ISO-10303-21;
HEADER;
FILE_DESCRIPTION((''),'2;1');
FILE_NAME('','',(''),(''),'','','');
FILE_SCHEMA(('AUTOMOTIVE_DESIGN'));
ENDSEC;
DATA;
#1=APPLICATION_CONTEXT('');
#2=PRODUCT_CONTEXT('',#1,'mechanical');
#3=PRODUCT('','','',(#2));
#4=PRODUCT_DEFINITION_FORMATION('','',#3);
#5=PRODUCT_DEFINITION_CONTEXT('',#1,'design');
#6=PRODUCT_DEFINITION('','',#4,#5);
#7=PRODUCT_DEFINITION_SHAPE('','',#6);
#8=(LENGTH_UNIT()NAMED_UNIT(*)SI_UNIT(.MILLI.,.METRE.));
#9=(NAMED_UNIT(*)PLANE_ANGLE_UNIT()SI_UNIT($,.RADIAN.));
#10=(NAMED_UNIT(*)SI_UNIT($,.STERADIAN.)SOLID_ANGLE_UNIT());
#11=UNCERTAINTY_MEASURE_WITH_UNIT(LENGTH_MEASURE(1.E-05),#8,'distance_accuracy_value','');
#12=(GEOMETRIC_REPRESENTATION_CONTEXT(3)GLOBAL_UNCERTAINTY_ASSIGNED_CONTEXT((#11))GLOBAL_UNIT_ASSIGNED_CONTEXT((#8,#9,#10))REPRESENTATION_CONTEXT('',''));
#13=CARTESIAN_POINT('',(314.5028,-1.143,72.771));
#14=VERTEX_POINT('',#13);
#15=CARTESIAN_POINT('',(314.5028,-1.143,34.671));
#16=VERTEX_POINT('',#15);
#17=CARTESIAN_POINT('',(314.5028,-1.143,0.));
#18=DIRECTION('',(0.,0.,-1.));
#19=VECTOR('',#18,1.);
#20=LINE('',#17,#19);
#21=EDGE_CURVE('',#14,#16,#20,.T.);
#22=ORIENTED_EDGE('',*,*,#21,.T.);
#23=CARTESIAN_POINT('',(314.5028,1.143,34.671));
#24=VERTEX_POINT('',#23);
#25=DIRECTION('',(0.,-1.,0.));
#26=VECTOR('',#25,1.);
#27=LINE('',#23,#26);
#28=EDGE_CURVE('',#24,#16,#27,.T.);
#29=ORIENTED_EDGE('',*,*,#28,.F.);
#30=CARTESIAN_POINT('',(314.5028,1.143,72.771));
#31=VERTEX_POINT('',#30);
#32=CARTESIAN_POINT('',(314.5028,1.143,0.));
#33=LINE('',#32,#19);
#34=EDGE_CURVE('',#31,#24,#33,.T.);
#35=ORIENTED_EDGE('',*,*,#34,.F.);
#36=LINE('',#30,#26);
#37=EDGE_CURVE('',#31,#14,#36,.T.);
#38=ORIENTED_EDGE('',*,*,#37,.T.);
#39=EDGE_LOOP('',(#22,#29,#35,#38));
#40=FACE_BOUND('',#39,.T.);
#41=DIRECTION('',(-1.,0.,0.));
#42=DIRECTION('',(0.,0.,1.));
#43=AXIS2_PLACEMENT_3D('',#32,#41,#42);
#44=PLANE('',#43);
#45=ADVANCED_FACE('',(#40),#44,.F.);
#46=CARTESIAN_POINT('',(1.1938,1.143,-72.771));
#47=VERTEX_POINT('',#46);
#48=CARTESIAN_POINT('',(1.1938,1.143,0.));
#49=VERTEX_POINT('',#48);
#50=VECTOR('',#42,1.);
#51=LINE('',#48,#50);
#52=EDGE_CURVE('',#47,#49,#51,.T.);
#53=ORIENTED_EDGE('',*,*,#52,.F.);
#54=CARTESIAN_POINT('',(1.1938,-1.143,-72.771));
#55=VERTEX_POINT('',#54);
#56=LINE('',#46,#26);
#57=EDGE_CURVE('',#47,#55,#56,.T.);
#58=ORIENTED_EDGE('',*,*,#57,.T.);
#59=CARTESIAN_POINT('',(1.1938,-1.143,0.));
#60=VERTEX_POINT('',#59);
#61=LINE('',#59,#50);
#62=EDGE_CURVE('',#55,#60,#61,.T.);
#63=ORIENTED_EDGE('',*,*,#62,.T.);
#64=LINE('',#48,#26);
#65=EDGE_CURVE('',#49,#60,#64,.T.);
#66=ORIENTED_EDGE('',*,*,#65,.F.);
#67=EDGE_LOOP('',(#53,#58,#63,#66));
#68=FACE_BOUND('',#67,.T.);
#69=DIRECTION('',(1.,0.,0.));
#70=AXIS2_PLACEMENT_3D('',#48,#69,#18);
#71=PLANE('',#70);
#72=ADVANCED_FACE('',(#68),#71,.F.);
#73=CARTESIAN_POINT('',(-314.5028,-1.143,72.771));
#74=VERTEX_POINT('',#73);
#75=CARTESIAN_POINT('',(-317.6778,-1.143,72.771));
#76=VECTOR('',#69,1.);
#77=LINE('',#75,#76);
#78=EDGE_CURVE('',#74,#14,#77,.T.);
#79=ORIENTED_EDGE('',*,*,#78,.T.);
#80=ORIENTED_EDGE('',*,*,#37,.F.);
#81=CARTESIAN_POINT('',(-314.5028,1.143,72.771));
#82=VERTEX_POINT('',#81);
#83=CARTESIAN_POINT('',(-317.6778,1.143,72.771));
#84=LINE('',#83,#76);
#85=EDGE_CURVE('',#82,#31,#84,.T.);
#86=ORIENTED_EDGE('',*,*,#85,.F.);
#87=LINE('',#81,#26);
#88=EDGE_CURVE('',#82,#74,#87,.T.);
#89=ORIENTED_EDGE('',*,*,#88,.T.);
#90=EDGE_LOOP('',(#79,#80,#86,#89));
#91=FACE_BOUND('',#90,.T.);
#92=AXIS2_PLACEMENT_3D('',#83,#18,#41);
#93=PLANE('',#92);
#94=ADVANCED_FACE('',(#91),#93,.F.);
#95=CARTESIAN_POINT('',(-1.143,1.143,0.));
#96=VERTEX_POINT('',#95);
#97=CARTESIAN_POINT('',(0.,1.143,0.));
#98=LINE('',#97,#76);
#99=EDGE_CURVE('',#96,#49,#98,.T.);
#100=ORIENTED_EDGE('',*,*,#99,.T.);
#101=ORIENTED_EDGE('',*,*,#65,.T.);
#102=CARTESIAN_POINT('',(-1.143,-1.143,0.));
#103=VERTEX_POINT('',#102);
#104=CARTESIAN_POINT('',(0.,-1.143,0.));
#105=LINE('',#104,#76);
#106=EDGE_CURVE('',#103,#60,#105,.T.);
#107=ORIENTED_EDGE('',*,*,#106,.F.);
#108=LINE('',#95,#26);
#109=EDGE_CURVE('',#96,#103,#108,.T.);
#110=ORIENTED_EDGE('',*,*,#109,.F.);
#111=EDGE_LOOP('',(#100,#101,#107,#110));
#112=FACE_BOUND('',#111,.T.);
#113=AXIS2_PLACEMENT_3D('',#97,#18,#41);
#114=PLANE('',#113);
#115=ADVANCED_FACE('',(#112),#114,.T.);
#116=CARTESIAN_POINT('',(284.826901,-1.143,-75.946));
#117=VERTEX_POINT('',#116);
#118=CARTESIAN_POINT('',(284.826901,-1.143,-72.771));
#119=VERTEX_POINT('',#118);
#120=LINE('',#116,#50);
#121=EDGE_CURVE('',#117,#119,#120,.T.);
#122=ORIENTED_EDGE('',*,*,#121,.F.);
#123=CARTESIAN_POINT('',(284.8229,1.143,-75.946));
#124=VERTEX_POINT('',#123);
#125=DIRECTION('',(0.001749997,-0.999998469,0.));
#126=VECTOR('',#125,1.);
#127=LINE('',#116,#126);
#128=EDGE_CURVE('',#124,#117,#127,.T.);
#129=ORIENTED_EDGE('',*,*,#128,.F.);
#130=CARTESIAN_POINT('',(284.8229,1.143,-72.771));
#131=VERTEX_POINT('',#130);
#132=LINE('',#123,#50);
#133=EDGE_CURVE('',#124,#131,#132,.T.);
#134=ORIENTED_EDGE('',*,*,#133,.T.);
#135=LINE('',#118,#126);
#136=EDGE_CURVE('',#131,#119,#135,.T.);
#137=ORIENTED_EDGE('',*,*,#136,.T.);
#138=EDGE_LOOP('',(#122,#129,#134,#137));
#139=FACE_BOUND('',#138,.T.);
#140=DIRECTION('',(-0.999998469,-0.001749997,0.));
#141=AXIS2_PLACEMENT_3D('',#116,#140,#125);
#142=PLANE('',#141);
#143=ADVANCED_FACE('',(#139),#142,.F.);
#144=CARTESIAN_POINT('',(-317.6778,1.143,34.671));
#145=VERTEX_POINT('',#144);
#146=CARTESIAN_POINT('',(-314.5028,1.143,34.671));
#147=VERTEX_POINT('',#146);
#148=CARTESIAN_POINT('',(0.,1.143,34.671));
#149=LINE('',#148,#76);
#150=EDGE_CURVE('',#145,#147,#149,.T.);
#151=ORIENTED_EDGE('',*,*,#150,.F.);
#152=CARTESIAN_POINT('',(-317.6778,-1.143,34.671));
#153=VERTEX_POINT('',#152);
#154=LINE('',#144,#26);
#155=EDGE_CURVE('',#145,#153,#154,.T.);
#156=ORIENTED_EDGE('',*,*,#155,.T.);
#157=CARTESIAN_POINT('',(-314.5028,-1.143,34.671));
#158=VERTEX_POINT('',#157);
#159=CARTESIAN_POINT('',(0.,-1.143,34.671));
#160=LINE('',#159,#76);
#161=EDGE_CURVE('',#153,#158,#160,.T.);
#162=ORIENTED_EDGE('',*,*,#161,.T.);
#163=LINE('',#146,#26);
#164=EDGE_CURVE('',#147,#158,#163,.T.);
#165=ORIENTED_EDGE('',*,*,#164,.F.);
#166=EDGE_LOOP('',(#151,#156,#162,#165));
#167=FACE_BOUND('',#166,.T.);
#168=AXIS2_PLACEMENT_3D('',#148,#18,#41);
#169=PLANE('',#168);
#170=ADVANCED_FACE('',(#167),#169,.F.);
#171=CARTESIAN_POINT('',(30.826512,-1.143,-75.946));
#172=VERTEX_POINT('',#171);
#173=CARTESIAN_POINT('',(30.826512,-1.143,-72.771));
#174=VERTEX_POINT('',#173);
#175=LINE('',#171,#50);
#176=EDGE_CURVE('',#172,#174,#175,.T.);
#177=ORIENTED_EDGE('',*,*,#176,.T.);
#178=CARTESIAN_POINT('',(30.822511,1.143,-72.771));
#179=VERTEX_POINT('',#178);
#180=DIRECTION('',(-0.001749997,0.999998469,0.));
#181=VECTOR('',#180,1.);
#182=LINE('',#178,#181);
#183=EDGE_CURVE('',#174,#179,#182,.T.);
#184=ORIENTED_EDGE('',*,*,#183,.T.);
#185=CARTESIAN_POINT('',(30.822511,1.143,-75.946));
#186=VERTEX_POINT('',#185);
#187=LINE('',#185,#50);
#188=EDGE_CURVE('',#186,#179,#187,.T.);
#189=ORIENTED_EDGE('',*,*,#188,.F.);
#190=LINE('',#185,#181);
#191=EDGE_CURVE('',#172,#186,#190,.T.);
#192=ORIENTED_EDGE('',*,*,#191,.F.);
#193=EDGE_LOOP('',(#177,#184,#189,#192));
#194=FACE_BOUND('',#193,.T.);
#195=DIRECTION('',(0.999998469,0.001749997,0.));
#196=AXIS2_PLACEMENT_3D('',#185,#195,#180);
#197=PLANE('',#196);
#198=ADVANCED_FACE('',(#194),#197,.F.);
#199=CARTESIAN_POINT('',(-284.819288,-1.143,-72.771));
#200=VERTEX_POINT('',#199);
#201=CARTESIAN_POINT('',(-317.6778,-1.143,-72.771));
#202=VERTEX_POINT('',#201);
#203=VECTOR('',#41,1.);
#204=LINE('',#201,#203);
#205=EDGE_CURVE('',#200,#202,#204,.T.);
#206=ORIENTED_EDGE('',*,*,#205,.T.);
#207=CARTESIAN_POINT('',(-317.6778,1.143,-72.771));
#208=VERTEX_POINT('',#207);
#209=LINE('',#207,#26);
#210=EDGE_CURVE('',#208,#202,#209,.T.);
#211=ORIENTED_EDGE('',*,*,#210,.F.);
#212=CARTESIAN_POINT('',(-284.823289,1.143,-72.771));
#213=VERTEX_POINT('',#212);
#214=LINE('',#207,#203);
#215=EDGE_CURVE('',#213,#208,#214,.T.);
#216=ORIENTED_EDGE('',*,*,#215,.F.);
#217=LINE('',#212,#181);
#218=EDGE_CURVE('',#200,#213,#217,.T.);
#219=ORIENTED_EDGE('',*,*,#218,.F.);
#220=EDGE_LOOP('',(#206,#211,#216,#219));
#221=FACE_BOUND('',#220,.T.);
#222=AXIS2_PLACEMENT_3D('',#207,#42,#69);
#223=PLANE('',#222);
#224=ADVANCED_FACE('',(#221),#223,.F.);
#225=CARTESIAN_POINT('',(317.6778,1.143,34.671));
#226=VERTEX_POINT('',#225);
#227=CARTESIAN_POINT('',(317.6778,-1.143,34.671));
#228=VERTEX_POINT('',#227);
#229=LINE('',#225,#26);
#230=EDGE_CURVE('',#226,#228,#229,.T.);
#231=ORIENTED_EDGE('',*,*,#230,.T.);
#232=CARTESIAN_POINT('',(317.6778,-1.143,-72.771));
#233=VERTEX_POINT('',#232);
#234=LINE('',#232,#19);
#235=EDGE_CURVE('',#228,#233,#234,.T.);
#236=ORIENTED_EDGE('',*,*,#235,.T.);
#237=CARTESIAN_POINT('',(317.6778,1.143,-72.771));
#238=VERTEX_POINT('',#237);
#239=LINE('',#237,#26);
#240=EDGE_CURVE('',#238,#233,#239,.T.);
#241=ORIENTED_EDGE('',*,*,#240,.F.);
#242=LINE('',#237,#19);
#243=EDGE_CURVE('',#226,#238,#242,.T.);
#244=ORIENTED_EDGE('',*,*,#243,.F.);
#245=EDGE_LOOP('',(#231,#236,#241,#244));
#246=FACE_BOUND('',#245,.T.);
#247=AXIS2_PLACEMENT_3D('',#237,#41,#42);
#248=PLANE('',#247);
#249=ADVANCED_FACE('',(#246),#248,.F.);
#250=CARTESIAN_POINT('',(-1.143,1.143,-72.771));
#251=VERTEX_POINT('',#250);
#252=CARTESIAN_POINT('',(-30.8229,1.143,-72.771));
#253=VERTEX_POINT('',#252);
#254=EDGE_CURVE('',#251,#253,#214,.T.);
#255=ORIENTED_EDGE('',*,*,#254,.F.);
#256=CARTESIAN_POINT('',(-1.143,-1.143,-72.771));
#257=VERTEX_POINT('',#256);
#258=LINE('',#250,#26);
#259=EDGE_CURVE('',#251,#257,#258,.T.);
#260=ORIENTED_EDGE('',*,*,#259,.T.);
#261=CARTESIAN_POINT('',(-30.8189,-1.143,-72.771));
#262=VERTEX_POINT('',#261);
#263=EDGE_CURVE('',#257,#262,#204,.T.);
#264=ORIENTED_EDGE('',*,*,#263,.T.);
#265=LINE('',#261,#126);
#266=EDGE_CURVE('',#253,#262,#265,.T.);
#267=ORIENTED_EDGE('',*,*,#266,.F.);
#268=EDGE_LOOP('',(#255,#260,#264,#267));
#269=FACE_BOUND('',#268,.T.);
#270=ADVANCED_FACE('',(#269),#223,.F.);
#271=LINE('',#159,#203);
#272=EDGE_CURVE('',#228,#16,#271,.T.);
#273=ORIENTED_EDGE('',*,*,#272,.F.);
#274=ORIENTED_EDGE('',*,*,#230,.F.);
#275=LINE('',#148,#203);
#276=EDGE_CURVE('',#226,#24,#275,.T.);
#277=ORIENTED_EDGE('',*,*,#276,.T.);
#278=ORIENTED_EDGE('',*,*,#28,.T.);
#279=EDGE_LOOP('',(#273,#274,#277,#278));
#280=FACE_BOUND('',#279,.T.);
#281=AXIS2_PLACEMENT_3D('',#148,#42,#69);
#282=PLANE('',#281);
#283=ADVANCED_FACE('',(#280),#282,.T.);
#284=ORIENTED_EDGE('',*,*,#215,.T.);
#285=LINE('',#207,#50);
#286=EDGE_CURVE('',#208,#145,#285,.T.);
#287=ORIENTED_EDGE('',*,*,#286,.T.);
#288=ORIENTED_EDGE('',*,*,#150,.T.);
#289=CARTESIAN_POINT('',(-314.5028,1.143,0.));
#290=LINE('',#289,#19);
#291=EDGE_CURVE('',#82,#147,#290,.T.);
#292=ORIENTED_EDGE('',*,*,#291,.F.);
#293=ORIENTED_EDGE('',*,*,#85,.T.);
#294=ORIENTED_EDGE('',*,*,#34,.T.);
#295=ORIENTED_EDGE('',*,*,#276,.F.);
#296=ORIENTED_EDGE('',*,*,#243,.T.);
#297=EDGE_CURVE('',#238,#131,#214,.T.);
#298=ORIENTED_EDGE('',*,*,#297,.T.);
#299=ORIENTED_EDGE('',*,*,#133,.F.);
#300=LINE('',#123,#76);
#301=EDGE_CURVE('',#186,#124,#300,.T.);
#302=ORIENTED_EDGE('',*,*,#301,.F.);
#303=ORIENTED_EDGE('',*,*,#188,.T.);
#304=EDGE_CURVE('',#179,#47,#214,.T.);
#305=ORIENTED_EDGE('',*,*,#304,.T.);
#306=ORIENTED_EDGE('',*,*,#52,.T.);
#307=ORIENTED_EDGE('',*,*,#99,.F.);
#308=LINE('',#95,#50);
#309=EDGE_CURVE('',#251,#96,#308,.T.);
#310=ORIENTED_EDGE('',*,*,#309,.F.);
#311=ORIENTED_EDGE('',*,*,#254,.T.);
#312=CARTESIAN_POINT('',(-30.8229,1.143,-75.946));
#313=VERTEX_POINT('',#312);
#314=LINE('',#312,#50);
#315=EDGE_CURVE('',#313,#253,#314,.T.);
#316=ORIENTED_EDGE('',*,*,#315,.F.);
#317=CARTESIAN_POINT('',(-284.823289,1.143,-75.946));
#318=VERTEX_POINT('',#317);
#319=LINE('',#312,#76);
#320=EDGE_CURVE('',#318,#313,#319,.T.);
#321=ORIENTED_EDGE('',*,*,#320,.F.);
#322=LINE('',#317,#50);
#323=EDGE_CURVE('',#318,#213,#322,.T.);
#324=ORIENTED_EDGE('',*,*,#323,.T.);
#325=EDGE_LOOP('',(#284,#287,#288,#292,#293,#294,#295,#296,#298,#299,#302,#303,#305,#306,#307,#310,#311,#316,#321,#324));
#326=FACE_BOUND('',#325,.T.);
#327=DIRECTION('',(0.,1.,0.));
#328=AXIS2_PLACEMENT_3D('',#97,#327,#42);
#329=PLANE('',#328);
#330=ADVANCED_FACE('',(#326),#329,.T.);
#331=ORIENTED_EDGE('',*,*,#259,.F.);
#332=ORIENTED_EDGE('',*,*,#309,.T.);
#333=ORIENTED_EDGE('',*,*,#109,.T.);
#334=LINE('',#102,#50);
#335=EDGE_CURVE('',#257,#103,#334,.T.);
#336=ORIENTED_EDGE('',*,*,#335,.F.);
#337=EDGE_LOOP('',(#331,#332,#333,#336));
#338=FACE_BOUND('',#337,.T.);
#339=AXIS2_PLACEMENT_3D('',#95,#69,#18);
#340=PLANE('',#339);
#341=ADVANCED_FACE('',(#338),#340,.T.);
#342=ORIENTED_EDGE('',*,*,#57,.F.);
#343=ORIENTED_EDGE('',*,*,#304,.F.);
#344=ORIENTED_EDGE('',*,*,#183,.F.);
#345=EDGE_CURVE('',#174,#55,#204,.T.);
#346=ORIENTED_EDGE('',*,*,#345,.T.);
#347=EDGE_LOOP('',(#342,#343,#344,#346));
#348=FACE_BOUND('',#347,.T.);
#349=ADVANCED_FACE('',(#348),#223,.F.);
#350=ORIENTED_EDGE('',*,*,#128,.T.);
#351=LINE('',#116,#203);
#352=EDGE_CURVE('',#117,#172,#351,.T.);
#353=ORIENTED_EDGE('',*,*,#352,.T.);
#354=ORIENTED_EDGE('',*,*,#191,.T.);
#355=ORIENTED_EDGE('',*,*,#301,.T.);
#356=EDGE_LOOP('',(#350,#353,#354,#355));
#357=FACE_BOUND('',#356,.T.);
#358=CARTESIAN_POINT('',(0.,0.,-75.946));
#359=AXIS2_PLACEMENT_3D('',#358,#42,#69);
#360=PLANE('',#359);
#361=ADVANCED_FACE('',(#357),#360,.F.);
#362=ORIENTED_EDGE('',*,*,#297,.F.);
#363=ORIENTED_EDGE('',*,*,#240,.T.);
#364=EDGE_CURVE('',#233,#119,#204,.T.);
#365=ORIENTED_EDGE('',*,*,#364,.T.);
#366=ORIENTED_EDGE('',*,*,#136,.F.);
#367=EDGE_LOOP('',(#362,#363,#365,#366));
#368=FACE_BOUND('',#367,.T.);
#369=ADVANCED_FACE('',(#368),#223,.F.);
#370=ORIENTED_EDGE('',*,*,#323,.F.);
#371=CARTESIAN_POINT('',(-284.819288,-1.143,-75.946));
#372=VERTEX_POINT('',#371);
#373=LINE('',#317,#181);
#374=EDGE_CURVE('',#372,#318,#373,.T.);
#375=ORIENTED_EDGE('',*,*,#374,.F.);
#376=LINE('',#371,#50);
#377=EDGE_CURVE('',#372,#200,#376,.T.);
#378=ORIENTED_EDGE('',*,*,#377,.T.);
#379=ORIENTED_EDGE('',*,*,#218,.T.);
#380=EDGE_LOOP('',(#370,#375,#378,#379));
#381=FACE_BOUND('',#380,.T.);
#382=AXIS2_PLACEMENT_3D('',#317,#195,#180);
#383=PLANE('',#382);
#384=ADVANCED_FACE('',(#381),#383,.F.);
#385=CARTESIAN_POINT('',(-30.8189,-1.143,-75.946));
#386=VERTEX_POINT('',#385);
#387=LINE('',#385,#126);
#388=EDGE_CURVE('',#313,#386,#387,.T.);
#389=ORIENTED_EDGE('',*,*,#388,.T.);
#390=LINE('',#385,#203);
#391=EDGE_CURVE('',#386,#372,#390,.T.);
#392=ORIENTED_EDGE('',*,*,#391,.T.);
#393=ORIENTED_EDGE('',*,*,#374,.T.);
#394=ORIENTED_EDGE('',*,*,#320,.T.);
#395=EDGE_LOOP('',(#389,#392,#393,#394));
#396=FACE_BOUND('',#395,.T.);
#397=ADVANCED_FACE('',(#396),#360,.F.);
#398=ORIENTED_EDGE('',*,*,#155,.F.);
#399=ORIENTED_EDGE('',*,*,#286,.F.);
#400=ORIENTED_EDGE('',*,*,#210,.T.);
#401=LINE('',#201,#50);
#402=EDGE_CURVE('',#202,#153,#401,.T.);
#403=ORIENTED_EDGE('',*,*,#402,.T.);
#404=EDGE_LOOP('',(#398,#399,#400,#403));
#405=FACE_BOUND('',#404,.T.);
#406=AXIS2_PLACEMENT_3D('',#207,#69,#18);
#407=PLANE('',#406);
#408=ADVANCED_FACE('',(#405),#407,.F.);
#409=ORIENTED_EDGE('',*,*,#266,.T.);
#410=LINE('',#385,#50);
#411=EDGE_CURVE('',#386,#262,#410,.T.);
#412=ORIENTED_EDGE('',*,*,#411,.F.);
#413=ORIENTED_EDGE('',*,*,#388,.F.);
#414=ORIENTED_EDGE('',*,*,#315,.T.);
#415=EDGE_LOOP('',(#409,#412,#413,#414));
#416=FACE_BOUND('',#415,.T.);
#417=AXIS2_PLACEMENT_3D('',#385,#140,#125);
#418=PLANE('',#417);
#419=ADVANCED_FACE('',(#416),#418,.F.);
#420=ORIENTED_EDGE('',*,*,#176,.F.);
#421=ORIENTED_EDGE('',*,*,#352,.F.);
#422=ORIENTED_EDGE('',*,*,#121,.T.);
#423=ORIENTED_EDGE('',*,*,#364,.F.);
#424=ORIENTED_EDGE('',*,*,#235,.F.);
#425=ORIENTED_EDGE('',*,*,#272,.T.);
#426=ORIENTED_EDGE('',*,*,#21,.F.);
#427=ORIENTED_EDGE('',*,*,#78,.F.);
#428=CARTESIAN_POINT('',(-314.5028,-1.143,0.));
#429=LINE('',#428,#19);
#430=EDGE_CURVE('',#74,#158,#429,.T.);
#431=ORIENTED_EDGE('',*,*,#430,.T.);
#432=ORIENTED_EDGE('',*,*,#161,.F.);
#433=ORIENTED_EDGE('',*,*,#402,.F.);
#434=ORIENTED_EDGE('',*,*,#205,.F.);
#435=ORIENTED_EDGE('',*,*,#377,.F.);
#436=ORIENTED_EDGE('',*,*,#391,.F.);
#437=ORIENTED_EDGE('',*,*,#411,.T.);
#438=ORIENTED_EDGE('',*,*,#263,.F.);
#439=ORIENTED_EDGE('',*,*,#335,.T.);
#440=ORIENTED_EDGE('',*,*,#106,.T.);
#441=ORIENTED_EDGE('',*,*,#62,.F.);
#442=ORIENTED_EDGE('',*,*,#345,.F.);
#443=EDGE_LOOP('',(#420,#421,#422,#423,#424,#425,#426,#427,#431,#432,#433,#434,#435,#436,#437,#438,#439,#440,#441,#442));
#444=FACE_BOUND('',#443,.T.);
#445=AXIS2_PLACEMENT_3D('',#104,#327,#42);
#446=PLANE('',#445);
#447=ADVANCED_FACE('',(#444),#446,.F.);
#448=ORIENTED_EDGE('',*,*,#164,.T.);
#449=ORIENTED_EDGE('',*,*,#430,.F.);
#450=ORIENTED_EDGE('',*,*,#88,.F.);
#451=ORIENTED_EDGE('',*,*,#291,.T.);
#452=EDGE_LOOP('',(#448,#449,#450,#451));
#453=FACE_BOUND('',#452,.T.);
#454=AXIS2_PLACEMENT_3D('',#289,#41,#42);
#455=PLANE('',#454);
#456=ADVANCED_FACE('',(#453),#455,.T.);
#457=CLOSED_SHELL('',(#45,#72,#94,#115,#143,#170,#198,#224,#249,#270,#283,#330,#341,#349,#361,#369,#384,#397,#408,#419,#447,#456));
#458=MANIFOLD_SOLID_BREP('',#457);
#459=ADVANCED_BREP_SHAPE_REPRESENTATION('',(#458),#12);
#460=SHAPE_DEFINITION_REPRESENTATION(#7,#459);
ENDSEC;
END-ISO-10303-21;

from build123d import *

# Parameters (mm, degrees)
SKETCH1_W           = 635.3556
SKETCH1_H           = 145.542
BOSS_EXTRUDE1_DEPTH = 1.143
BOSS_EXTRUDE2_DEPTH = 3.175
SKETCH3_W           = 3.175
SKETCH3_H           = 38.1
CUT_EXTRUDE1_DEPTH  = 327.637727957
SKETCH4_W           = 2.3368
SKETCH4_H           = 72.771
CUT_EXTRUDE2_DEPTH  = 327.637727957


with BuildPart() as part:
    # Sketch1 → Boss-Extrude1 (new, symmetric)
    with BuildSketch(Plane(origin=(0, 0, 0), x_dir=(1, 0, 0), z_dir=(0, 1, 0))):
        Rectangle(SKETCH1_W, SKETCH1_H)
    extrude(amount=BOSS_EXTRUDE1_DEPTH, both=True)

    # Sketch2 → Boss-Extrude2 (add)
    with BuildSketch(Plane(origin=(0, 0, -72.771), x_dir=(-1, 0, 0), z_dir=(0, 0, -1))):
        Polygon((-284.8269005, -1.143), (-30.826511563, -1.143), (-30.822511063, 1.143), (-284.8229, 1.143), align=None)
        Polygon((30.8188995, -1.143), (284.819288437, -1.143), (284.823288937, 1.143), (30.8229, 1.143), align=None)
    extrude(amount=BOSS_EXTRUDE2_DEPTH)

    # Sketch3 → Cut-Extrude1 (cut, through all)
    with BuildSketch(Plane.XZ.offset(1.143)):
        with Locations((-316.0903, 53.721)):
            Rectangle(SKETCH3_W, SKETCH3_H)
    cut_extrude1 = extrude(amount=-CUT_EXTRUDE1_DEPTH, mode=Mode.SUBTRACT)

    # Mirror1: Cut-Extrude1 across plane
    add(cut_extrude1.mirror(Plane(origin=(0, 0, 0), x_dir=(0, 0, 1), z_dir=(1, 0, 0))), mode=Mode.SUBTRACT)

    # Sketch4 → Cut-Extrude2 (cut, through all)
    with BuildSketch(Plane.XZ.offset(1.143)):
        with Locations((0.0254, -36.3855)):
            Rectangle(SKETCH4_W, SKETCH4_H)
    extrude(amount=-CUT_EXTRUDE2_DEPTH, mode=Mode.SUBTRACT)


solid = part.part
